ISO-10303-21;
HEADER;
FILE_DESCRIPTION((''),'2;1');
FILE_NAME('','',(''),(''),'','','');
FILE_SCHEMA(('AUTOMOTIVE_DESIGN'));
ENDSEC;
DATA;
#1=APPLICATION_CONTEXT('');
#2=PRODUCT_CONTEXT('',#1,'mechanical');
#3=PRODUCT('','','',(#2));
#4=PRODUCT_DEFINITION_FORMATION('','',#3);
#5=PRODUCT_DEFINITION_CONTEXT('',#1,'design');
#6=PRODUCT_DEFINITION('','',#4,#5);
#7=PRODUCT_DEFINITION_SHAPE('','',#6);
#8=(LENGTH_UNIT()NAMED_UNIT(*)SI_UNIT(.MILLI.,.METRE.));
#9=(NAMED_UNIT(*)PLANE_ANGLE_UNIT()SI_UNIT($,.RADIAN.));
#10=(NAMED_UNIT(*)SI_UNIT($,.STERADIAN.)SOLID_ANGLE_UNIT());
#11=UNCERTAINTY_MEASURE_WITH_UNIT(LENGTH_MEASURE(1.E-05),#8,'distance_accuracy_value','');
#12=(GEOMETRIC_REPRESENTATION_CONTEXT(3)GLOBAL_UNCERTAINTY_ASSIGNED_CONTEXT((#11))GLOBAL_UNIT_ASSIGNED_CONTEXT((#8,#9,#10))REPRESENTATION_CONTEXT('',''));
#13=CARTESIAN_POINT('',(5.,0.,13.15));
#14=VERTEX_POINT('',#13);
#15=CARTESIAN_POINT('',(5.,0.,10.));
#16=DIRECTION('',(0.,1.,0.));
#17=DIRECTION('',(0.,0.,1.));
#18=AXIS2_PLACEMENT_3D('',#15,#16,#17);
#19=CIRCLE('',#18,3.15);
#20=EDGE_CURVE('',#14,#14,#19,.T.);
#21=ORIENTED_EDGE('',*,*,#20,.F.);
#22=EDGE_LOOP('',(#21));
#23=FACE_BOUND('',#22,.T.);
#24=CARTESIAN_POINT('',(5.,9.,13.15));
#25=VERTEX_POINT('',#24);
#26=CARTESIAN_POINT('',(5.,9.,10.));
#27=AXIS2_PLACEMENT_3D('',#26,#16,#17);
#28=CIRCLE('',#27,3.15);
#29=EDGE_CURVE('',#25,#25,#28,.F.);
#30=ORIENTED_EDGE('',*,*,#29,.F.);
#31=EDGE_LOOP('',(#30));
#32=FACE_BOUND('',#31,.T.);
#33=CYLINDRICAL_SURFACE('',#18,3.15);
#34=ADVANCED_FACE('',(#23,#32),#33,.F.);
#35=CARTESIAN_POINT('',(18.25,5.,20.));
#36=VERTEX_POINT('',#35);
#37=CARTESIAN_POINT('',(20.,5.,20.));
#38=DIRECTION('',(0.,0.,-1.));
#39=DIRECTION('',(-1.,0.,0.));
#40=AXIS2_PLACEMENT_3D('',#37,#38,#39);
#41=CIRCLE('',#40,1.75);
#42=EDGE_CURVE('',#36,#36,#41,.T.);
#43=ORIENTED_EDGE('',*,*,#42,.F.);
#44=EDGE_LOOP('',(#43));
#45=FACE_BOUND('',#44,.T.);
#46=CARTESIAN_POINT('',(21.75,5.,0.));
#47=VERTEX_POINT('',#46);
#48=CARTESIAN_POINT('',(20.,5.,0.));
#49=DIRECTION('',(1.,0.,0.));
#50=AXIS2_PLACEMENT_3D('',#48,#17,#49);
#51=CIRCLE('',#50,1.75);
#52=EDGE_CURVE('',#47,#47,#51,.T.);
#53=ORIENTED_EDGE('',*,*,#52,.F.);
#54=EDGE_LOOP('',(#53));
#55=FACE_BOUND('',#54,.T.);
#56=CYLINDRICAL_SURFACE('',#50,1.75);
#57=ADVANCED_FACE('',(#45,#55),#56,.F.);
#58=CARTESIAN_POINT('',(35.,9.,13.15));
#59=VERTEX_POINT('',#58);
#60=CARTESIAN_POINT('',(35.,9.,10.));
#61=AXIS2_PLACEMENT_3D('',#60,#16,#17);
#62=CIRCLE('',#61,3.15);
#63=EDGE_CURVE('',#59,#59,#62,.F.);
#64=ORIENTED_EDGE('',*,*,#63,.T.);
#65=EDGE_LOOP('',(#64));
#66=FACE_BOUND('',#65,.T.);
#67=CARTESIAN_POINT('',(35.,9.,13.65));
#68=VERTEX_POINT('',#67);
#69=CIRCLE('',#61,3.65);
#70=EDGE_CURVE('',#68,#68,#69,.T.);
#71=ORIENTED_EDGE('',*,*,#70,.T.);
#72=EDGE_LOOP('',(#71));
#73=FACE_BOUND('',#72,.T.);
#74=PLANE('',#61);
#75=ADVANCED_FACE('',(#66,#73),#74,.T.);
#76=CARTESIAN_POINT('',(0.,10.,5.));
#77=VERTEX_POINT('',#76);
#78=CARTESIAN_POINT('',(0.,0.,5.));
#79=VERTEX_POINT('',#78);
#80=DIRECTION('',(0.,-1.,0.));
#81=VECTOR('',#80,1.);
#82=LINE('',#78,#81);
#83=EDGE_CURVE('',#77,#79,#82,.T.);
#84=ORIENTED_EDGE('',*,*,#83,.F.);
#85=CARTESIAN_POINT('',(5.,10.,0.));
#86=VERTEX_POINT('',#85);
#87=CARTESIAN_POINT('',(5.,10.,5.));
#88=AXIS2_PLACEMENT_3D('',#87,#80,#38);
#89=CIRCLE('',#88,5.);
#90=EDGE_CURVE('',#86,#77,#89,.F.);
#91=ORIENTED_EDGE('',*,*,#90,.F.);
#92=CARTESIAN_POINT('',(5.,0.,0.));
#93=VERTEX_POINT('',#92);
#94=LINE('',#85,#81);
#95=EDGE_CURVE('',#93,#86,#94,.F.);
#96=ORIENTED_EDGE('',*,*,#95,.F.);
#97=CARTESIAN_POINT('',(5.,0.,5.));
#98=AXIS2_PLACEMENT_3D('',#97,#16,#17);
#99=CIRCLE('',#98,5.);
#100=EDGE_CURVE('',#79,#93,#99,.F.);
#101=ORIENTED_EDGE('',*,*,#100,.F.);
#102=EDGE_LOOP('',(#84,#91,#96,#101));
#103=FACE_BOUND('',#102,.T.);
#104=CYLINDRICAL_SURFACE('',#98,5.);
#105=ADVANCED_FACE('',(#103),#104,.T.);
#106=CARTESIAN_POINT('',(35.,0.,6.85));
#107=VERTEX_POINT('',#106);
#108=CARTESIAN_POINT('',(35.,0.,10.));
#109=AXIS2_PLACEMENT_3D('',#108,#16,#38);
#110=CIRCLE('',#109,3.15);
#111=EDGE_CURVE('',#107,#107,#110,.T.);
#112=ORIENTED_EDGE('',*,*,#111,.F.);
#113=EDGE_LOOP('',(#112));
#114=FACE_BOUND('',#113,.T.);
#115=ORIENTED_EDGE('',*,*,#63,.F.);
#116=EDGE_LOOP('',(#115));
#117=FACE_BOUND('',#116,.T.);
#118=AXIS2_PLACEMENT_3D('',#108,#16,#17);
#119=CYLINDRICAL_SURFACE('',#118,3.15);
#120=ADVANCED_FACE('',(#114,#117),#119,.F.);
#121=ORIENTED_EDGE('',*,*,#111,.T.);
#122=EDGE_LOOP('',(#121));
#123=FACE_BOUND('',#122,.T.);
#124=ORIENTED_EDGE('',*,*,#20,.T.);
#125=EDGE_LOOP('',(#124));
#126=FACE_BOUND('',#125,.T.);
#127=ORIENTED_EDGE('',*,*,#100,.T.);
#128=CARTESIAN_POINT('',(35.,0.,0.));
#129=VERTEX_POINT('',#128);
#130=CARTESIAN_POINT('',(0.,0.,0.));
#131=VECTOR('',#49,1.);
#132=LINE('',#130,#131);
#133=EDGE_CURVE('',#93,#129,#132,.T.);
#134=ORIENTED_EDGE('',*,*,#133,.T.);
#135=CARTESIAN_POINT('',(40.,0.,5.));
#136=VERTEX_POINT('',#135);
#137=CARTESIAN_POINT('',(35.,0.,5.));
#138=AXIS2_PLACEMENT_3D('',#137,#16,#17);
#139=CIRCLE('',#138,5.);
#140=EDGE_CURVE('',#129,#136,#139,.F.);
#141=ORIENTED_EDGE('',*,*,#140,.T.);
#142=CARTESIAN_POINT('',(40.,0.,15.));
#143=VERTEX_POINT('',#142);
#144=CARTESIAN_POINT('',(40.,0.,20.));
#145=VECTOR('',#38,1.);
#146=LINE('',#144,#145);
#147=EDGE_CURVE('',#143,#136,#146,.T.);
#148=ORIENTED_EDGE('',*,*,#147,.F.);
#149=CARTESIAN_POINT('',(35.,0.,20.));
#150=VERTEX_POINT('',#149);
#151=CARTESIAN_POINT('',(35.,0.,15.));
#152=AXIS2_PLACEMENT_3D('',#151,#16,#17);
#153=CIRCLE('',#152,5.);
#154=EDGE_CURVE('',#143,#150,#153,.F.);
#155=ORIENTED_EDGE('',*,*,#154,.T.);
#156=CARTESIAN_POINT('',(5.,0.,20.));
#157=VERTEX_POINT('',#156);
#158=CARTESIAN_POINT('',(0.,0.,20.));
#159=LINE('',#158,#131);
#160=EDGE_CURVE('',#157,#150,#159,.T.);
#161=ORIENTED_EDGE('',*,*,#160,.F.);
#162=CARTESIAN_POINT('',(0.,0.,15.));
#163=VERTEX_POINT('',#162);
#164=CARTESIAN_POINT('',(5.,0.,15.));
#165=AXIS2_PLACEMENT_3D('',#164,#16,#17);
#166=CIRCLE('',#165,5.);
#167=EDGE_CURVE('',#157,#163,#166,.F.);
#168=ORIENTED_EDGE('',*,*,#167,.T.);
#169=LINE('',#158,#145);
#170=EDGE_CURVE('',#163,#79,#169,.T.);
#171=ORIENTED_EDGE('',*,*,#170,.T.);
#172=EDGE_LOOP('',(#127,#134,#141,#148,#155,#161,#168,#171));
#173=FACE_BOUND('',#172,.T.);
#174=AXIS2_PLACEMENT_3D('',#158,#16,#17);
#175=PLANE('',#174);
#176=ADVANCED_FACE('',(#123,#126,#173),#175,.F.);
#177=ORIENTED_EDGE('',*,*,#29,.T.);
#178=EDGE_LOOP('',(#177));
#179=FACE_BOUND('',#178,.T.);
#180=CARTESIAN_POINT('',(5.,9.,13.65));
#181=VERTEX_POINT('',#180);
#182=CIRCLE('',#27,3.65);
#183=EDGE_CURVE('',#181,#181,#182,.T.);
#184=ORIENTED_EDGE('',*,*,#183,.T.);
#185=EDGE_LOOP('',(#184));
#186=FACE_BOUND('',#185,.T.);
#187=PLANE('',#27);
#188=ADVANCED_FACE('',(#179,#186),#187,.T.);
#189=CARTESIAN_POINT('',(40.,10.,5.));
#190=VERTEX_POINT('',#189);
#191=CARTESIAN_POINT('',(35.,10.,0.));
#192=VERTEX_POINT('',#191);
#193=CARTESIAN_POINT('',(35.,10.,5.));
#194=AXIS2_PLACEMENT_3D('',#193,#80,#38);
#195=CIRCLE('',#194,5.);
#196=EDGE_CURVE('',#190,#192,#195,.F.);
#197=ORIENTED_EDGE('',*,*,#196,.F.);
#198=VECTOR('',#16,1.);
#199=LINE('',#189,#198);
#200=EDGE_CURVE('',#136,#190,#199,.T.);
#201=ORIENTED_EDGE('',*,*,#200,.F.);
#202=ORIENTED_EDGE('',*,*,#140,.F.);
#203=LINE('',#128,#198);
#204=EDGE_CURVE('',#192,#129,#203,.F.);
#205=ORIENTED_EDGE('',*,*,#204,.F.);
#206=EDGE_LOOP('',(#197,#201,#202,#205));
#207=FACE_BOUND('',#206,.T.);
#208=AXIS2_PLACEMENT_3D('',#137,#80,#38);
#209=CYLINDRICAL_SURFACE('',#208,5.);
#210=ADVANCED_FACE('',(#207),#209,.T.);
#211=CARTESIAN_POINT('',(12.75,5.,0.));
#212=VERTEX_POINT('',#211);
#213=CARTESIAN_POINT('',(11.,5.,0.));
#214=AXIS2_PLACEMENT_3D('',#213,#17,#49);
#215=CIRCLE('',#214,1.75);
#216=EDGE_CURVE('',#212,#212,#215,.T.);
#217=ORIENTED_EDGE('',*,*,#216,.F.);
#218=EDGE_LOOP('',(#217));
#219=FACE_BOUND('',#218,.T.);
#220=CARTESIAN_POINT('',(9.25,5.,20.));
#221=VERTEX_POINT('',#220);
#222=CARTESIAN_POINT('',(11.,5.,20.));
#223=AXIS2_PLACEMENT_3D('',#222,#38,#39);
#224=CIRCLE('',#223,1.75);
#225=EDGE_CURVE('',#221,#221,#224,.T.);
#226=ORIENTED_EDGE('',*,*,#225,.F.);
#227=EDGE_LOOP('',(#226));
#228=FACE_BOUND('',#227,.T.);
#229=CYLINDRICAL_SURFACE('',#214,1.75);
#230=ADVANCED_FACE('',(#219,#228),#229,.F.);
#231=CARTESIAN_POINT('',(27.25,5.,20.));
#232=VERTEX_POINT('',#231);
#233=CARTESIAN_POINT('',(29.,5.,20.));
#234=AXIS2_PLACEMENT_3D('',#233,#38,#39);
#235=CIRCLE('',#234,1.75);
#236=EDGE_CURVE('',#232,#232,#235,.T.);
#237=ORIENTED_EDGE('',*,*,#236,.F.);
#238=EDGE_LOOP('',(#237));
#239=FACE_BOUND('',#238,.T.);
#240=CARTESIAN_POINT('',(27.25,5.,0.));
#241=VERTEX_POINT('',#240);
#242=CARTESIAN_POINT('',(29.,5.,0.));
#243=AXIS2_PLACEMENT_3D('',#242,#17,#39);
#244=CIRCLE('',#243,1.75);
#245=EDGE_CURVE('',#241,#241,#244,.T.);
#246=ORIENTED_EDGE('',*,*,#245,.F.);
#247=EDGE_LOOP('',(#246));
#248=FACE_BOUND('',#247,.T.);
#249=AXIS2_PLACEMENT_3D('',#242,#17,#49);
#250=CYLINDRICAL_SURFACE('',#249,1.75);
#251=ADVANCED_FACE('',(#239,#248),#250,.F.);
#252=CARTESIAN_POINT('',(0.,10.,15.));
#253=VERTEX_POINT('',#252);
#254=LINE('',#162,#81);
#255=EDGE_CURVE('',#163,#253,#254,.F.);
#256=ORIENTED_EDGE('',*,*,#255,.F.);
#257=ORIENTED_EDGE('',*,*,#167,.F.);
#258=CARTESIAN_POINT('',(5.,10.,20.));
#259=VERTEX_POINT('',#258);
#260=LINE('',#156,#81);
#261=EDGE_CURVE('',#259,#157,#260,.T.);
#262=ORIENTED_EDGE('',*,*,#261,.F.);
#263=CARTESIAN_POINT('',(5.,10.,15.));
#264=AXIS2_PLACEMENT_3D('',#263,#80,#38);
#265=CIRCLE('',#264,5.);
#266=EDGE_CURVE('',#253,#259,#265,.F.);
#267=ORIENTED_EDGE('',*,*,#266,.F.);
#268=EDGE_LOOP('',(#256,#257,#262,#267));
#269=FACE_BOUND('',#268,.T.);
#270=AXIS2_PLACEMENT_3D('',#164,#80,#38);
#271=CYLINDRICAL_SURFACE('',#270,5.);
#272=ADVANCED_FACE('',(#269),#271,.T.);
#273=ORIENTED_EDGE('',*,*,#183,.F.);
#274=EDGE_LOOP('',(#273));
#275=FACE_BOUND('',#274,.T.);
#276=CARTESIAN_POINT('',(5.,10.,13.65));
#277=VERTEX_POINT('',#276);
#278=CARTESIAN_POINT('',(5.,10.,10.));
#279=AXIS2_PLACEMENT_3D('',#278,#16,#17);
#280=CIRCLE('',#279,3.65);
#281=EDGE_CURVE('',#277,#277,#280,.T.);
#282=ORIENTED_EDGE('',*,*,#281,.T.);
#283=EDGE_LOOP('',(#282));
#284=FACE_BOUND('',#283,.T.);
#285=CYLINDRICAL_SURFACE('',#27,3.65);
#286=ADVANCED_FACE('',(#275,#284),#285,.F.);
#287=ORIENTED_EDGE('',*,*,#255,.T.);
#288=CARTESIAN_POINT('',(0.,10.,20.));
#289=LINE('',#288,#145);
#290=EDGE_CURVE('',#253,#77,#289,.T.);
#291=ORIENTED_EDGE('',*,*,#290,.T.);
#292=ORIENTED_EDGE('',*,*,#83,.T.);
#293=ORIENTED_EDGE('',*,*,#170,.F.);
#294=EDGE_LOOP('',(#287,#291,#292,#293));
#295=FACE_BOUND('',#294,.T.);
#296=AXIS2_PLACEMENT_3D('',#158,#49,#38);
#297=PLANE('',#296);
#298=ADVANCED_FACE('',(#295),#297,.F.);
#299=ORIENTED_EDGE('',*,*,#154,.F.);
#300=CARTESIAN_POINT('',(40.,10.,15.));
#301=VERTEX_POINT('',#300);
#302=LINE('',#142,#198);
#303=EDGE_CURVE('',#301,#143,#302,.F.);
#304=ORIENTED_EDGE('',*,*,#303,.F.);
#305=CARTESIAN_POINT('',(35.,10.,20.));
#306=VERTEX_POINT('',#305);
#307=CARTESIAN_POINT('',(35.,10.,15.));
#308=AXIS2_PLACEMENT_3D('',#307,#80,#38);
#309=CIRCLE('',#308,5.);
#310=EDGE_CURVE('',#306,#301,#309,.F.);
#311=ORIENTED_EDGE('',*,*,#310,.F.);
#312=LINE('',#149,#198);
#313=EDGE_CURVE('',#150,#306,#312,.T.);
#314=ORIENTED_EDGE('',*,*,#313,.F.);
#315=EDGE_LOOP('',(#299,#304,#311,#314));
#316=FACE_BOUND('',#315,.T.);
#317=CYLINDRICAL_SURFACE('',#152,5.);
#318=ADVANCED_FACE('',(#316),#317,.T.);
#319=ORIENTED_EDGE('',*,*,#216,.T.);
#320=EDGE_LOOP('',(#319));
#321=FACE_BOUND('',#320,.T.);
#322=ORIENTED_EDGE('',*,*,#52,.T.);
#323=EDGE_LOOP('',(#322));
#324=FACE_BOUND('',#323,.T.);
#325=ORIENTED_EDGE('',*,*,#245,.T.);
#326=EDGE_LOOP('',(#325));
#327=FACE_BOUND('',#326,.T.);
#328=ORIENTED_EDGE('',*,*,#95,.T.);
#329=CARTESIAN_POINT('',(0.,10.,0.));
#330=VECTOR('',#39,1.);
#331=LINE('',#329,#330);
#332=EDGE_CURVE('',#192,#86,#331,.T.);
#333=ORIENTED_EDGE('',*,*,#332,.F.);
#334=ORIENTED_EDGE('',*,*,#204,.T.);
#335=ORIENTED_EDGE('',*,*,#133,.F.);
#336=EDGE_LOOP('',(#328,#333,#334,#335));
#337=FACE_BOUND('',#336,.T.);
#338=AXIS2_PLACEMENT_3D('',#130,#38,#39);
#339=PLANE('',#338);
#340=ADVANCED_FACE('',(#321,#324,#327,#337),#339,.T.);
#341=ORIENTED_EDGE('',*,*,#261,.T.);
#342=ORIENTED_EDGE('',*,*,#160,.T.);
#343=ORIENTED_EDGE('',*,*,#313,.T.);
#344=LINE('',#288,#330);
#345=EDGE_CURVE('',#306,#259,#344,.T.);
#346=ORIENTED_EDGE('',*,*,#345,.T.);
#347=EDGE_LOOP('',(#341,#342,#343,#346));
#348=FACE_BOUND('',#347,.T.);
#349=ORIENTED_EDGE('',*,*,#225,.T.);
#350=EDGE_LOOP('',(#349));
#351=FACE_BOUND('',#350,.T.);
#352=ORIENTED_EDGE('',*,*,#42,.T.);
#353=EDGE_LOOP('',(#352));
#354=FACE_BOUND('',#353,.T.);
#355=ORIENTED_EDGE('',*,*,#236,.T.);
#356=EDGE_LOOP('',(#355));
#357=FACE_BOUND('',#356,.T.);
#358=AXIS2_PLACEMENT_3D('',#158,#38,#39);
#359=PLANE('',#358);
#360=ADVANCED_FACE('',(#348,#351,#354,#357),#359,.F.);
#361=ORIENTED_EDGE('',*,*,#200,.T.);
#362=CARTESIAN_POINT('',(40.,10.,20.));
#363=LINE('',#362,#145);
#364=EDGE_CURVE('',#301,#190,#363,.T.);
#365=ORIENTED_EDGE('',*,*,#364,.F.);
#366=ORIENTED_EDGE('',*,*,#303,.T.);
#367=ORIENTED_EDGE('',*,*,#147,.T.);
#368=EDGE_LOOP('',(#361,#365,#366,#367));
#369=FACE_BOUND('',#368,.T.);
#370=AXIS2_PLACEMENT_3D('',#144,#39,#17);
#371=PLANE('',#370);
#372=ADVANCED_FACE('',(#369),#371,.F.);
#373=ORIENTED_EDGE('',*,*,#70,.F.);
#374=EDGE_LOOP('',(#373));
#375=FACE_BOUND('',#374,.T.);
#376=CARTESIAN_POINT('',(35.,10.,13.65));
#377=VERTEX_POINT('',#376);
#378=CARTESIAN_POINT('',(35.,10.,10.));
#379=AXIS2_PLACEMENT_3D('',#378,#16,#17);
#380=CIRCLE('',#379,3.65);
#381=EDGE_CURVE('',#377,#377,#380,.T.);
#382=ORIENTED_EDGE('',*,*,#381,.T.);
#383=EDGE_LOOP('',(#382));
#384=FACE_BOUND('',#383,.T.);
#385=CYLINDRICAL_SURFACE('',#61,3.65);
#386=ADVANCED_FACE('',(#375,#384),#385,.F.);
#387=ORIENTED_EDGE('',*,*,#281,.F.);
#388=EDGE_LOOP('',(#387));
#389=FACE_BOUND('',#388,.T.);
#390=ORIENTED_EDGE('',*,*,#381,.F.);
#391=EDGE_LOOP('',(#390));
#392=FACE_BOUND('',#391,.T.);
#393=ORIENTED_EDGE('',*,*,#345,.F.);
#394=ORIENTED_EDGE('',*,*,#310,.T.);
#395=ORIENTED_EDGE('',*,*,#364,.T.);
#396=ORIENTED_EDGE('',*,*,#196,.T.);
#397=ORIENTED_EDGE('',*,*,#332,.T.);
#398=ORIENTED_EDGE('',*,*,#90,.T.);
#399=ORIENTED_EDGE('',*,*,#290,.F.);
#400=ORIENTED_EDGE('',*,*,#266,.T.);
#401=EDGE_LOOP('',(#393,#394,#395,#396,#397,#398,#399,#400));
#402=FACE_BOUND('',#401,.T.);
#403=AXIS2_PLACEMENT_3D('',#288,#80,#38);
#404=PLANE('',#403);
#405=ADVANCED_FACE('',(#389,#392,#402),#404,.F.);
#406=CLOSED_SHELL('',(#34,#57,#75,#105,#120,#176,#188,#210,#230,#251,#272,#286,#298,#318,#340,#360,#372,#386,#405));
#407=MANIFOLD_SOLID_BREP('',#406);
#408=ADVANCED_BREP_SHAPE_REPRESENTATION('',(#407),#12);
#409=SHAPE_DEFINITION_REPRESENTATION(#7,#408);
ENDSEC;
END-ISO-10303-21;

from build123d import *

# Parameters (mm, degrees)
ESQUISSE1_W                  = 40
ESQUISSE1_H                  = 10
BOSS_EXTRU_1_DEPTH           = 20
ESQUISSE2_R                  = 1.75
ENL_V_MAT_EXTRU_1_DEPTH      = 1
ENL_V_MAT_EXTRU_1_DEPTH_BACK = 21
ESQUISSE3_R                  = 3.15
ENL_V_MAT_EXTRU_2_DEPTH      = 1
ENL_V_MAT_EXTRU_2_DEPTH_BACK = 11
ESQUISSE4_R                  = 3.65
ENL_V_MAT_EXTRU_3_DEPTH      = 1
CONG_1_R                     = 5


with BuildPart() as part:
    # Esquisse1 → Boss.-Extru.1 (new body)
    with BuildSketch(Plane.XY):
        with Locations((20, 5)):
            Rectangle(ESQUISSE1_W, ESQUISSE1_H)
    extrude(amount=BOSS_EXTRU_1_DEPTH)

    # Esquisse2 → Enlèv. mat.-Extru.1 (cut, two sides)
    with BuildSketch(Plane.XY.offset(20)) as enl_v_mat_extru_1_sk:
        with Locations((20, 5)):
            Circle(ESQUISSE2_R)
        with Locations((11, 5)):
            Circle(ESQUISSE2_R)
        with Locations((29, 5)):
            Circle(ESQUISSE2_R)
    extrude(amount=ENL_V_MAT_EXTRU_1_DEPTH, mode=Mode.SUBTRACT)
    extrude(enl_v_mat_extru_1_sk.sketch, amount=-ENL_V_MAT_EXTRU_1_DEPTH_BACK, mode=Mode.SUBTRACT)

    # Esquisse3 → Enlèv. mat.-Extru.2 (cut, two sides)
    with BuildSketch(Plane(origin=(0, 10, 0), x_dir=(1, 0, 0), z_dir=(0, 1, 0))) as enl_v_mat_extru_2_sk:
        with Locations((5, -10)):
            Circle(ESQUISSE3_R)
        with Locations((35, -10)):
            Circle(ESQUISSE3_R)
    extrude(amount=ENL_V_MAT_EXTRU_2_DEPTH, mode=Mode.SUBTRACT)
    extrude(enl_v_mat_extru_2_sk.sketch, amount=-ENL_V_MAT_EXTRU_2_DEPTH_BACK, mode=Mode.SUBTRACT)

    # Esquisse4 → Enlèv. mat.-Extru.3 (cut)
    with BuildSketch(Plane(origin=(0, 10, 0), x_dir=(1, 0, 0), z_dir=(0, 1, 0))):
        with Locations((5, -10)):
            Circle(ESQUISSE4_R)
        with Locations((35, -10)):
            Circle(ESQUISSE4_R)
    extrude(amount=-ENL_V_MAT_EXTRU_3_DEPTH, mode=Mode.SUBTRACT)

    # Congé1
    cong_1_edges = [part.edges().sort_by_distance(p)[0] for p in [
        (40, 5, 20),
        (0, 5, 20),
        (40, 5, 0),
        (0, 5, 0),
    ]]
    fillet(cong_1_edges, radius=CONG_1_R)


solid = part.part
